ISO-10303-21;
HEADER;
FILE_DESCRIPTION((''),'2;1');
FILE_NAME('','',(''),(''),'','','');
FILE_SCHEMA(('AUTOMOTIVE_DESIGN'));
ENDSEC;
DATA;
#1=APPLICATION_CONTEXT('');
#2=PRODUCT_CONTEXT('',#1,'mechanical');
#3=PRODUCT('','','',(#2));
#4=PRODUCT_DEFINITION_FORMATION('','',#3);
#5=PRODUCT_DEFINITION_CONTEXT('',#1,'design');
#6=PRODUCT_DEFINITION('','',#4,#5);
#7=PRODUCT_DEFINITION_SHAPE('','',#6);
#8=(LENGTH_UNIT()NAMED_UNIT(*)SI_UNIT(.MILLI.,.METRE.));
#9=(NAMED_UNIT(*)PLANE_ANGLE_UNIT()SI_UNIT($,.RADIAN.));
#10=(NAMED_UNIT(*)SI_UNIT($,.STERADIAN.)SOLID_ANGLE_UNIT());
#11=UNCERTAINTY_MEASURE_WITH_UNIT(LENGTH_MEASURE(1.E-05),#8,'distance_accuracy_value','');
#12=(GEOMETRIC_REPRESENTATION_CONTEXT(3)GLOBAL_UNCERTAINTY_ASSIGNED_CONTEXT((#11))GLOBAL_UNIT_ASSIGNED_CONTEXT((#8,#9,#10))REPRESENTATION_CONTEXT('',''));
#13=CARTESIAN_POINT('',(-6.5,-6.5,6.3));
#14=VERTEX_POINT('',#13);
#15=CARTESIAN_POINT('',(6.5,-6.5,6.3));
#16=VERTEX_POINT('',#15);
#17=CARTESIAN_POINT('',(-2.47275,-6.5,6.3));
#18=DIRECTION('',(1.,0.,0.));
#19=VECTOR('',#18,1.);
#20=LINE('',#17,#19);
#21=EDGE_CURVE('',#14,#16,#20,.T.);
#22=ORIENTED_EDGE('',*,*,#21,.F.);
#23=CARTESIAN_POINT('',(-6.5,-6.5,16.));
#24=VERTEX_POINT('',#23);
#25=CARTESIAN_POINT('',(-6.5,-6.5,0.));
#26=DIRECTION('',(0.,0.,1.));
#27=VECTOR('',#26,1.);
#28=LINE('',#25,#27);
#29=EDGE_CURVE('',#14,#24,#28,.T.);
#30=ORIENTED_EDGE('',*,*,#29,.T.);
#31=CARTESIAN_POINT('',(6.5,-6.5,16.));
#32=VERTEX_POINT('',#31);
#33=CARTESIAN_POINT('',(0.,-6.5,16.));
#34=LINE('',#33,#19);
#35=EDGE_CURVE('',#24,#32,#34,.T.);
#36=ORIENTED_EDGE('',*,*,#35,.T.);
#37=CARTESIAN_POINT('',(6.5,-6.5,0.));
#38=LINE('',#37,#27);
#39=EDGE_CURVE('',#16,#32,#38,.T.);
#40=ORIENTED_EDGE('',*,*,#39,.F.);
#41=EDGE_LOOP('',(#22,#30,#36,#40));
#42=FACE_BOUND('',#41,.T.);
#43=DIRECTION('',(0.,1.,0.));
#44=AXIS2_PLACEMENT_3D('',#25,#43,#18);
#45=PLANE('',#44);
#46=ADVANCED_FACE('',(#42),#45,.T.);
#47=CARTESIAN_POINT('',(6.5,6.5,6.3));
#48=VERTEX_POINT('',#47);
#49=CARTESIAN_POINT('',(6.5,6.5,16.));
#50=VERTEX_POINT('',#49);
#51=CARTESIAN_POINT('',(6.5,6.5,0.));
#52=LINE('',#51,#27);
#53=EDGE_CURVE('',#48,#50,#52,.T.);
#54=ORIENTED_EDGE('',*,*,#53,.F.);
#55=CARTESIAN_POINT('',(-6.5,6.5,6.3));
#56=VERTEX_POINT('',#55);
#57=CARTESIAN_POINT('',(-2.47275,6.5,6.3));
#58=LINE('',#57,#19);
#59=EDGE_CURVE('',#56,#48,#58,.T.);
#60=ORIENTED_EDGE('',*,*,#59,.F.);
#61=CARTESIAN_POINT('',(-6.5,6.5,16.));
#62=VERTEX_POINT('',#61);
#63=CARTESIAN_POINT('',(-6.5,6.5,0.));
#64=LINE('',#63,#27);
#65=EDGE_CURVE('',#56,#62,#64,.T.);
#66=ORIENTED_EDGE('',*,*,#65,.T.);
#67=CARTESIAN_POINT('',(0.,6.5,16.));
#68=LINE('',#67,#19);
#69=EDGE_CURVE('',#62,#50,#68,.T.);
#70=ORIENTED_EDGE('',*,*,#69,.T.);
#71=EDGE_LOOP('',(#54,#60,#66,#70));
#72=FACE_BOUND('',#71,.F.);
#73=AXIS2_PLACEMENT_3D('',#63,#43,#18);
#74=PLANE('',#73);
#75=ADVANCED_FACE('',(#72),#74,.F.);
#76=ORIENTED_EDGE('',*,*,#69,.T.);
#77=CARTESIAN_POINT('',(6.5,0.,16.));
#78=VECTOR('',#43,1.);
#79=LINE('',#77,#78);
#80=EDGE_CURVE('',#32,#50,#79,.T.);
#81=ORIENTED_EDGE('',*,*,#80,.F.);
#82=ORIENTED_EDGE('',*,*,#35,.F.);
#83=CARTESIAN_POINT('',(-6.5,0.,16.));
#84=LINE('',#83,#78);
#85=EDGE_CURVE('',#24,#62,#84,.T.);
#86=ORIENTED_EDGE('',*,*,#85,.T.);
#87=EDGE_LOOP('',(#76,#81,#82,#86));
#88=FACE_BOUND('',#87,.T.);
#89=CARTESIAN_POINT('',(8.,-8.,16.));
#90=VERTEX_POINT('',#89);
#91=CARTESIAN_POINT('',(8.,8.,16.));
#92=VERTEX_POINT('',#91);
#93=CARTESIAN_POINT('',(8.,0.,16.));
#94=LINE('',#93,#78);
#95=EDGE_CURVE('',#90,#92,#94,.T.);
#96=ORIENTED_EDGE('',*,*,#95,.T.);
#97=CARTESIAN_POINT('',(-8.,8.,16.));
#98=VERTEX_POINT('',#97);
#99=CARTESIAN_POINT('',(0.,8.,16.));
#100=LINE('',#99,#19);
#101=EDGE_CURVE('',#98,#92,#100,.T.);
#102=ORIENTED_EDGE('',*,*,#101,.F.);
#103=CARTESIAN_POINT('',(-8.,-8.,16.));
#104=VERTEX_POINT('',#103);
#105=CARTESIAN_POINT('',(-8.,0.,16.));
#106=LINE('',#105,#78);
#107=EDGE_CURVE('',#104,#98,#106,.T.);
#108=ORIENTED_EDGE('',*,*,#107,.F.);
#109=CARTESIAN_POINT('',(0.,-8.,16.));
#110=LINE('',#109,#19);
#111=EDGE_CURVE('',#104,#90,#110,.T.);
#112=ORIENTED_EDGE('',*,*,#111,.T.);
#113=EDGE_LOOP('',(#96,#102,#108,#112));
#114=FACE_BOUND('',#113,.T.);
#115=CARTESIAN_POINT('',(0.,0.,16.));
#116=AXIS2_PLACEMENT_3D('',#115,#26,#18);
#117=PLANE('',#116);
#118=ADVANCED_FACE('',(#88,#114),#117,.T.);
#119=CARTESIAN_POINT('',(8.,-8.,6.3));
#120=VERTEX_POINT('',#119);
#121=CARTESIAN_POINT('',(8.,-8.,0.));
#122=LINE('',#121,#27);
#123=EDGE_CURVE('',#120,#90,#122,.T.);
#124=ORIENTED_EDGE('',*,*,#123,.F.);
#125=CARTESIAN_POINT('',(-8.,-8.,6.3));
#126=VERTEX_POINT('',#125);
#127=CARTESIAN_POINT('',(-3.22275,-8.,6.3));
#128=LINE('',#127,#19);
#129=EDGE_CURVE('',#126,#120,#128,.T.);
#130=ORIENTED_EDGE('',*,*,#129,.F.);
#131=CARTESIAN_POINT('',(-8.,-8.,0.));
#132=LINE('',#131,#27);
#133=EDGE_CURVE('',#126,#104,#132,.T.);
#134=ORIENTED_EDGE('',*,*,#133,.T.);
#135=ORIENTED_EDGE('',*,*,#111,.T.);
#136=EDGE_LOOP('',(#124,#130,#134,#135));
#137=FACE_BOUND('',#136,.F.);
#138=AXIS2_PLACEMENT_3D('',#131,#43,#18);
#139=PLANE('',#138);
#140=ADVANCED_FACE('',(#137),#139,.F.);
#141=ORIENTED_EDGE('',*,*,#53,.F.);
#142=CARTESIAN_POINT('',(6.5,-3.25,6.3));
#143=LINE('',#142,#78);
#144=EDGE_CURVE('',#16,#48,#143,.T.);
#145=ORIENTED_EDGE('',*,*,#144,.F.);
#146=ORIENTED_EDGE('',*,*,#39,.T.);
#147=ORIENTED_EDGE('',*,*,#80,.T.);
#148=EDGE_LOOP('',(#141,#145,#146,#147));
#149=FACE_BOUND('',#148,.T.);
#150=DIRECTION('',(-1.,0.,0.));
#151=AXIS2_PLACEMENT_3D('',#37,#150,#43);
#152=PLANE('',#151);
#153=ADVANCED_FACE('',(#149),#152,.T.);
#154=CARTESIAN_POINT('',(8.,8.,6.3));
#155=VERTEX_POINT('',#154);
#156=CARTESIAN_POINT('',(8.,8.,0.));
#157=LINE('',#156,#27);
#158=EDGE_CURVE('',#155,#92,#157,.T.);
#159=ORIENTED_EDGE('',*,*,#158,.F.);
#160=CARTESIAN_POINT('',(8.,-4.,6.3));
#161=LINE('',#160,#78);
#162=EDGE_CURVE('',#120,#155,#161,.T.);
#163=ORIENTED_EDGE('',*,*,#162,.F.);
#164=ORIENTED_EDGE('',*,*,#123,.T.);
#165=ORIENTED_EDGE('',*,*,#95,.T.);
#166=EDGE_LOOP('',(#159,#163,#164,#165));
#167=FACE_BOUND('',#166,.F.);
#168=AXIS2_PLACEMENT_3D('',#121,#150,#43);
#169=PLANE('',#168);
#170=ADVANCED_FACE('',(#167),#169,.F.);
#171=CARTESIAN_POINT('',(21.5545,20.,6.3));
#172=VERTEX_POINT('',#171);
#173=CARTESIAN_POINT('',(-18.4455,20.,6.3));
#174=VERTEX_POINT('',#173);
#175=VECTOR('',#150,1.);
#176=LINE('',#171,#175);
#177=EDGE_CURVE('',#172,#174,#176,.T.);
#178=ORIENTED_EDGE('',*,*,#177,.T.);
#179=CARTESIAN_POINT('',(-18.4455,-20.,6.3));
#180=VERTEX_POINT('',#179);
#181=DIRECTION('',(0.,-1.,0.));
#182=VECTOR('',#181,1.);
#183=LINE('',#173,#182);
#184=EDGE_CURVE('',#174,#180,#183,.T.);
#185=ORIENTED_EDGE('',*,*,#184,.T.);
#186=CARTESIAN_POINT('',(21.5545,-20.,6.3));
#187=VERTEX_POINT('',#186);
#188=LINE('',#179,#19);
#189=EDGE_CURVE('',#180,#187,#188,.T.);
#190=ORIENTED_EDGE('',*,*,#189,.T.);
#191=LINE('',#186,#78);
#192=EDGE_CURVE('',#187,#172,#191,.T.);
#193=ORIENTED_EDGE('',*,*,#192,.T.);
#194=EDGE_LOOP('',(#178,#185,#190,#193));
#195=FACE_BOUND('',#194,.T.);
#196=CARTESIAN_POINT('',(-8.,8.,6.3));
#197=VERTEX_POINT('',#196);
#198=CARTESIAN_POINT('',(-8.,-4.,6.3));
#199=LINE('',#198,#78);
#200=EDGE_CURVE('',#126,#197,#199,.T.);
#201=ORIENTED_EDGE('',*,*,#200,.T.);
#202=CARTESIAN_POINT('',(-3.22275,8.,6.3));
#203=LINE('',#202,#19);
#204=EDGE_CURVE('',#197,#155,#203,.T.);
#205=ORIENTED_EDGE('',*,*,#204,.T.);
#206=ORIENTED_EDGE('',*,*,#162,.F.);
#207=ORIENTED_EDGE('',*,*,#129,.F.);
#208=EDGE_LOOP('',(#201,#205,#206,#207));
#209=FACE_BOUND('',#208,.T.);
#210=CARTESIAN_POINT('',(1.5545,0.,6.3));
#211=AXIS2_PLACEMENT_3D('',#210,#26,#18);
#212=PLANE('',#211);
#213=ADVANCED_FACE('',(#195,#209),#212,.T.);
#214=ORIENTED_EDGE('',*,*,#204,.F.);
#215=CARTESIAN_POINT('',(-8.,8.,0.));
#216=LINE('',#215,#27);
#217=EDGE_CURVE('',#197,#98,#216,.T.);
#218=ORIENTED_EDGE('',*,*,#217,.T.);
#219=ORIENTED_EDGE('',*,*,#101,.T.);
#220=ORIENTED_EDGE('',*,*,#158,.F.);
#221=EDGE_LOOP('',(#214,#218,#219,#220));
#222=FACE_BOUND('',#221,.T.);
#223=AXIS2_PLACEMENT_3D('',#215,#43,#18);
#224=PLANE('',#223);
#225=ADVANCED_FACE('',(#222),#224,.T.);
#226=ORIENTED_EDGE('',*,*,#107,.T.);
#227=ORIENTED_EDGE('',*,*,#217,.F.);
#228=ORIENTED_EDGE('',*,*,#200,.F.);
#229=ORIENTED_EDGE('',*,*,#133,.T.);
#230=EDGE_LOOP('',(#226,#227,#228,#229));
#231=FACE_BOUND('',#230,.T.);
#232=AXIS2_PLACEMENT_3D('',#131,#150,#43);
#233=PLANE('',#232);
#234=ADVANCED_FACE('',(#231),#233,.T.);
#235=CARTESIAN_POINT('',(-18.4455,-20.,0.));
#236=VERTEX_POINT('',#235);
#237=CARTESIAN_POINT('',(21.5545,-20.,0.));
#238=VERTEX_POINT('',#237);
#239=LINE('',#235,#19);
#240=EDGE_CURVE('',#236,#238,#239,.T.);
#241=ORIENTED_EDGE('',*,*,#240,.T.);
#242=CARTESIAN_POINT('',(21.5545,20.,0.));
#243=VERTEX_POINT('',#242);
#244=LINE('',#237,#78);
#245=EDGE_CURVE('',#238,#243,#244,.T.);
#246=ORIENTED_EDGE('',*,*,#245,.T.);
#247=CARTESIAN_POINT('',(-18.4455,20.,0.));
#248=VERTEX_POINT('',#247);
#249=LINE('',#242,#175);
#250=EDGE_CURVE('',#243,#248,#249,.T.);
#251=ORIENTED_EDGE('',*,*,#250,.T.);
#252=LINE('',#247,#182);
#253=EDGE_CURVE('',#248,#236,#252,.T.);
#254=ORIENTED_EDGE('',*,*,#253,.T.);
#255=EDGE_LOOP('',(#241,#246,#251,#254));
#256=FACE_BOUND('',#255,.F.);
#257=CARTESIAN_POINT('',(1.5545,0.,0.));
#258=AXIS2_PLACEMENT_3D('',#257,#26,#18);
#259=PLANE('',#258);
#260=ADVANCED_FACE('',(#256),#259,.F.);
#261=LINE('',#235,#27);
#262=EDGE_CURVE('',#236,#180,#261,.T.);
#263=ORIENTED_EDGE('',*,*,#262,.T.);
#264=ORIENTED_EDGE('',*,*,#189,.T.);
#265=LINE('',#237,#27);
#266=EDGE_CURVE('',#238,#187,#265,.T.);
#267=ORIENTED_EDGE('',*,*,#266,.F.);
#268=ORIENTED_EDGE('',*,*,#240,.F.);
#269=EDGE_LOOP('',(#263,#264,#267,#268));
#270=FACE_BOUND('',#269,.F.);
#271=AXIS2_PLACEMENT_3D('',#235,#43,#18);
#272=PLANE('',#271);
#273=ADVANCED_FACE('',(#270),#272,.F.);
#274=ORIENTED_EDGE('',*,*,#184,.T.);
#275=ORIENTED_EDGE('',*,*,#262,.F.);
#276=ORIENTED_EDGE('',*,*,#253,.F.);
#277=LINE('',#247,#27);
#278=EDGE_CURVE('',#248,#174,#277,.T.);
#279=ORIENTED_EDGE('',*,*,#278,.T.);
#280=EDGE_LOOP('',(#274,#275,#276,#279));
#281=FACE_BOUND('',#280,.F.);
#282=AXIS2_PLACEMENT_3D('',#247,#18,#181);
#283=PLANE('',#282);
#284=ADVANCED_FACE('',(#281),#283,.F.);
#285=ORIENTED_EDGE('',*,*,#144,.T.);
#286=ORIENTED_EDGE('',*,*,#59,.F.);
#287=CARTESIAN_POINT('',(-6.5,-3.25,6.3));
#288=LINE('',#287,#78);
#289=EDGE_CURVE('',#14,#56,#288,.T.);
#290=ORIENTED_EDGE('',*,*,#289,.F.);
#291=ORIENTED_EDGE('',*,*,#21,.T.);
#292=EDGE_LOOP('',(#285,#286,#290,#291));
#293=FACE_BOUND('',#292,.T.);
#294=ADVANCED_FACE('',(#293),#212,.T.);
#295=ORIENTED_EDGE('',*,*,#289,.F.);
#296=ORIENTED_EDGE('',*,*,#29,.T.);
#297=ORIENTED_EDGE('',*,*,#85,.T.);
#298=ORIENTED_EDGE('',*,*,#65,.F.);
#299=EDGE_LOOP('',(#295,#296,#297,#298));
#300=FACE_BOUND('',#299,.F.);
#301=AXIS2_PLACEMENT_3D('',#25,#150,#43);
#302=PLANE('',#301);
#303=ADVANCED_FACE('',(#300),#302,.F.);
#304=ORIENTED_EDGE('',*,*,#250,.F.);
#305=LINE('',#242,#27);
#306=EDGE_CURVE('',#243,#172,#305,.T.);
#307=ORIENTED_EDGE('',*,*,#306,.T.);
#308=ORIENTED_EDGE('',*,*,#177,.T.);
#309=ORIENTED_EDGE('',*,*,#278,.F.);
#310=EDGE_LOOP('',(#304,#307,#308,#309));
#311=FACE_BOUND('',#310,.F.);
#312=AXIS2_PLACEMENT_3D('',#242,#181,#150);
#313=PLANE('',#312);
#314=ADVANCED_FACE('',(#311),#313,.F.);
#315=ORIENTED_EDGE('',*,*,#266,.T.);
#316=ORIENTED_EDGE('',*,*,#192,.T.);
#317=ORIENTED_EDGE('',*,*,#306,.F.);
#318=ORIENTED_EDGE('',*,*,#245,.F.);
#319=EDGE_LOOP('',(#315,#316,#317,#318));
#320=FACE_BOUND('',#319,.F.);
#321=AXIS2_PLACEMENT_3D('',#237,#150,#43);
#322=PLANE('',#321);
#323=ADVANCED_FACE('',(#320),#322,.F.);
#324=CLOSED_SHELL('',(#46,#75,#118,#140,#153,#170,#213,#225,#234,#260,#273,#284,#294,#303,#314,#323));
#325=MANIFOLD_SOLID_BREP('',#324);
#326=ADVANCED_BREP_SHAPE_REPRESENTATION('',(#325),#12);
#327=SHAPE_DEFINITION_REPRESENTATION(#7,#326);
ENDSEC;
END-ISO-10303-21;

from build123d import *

# Parameters (mm, degrees)
F0_W     = 16
F0_H     = 16
F0_W_2   = 13
F0_H_2   = 13
F1_DEPTH = 16
F3_DEPTH = 6.3


with BuildPart() as f1:
    # F0 (on Top) → F1 (new body)
    with BuildSketch(Plane.XY):
        Rectangle(F0_W, F0_H)
        Rectangle(F0_W_2, F0_H_2, mode=Mode.SUBTRACT)
    extrude(amount=F1_DEPTH)

    # F2 (on Top) → F3 (join)
    with BuildSketch(Plane.XY):
        Polygon((-18.4455, 20), (-18.4455, -20), (21.5545, -20), (21.5545, 20), (0, 20), align=None)
    extrude(amount=F3_DEPTH)


solid = f1.part
